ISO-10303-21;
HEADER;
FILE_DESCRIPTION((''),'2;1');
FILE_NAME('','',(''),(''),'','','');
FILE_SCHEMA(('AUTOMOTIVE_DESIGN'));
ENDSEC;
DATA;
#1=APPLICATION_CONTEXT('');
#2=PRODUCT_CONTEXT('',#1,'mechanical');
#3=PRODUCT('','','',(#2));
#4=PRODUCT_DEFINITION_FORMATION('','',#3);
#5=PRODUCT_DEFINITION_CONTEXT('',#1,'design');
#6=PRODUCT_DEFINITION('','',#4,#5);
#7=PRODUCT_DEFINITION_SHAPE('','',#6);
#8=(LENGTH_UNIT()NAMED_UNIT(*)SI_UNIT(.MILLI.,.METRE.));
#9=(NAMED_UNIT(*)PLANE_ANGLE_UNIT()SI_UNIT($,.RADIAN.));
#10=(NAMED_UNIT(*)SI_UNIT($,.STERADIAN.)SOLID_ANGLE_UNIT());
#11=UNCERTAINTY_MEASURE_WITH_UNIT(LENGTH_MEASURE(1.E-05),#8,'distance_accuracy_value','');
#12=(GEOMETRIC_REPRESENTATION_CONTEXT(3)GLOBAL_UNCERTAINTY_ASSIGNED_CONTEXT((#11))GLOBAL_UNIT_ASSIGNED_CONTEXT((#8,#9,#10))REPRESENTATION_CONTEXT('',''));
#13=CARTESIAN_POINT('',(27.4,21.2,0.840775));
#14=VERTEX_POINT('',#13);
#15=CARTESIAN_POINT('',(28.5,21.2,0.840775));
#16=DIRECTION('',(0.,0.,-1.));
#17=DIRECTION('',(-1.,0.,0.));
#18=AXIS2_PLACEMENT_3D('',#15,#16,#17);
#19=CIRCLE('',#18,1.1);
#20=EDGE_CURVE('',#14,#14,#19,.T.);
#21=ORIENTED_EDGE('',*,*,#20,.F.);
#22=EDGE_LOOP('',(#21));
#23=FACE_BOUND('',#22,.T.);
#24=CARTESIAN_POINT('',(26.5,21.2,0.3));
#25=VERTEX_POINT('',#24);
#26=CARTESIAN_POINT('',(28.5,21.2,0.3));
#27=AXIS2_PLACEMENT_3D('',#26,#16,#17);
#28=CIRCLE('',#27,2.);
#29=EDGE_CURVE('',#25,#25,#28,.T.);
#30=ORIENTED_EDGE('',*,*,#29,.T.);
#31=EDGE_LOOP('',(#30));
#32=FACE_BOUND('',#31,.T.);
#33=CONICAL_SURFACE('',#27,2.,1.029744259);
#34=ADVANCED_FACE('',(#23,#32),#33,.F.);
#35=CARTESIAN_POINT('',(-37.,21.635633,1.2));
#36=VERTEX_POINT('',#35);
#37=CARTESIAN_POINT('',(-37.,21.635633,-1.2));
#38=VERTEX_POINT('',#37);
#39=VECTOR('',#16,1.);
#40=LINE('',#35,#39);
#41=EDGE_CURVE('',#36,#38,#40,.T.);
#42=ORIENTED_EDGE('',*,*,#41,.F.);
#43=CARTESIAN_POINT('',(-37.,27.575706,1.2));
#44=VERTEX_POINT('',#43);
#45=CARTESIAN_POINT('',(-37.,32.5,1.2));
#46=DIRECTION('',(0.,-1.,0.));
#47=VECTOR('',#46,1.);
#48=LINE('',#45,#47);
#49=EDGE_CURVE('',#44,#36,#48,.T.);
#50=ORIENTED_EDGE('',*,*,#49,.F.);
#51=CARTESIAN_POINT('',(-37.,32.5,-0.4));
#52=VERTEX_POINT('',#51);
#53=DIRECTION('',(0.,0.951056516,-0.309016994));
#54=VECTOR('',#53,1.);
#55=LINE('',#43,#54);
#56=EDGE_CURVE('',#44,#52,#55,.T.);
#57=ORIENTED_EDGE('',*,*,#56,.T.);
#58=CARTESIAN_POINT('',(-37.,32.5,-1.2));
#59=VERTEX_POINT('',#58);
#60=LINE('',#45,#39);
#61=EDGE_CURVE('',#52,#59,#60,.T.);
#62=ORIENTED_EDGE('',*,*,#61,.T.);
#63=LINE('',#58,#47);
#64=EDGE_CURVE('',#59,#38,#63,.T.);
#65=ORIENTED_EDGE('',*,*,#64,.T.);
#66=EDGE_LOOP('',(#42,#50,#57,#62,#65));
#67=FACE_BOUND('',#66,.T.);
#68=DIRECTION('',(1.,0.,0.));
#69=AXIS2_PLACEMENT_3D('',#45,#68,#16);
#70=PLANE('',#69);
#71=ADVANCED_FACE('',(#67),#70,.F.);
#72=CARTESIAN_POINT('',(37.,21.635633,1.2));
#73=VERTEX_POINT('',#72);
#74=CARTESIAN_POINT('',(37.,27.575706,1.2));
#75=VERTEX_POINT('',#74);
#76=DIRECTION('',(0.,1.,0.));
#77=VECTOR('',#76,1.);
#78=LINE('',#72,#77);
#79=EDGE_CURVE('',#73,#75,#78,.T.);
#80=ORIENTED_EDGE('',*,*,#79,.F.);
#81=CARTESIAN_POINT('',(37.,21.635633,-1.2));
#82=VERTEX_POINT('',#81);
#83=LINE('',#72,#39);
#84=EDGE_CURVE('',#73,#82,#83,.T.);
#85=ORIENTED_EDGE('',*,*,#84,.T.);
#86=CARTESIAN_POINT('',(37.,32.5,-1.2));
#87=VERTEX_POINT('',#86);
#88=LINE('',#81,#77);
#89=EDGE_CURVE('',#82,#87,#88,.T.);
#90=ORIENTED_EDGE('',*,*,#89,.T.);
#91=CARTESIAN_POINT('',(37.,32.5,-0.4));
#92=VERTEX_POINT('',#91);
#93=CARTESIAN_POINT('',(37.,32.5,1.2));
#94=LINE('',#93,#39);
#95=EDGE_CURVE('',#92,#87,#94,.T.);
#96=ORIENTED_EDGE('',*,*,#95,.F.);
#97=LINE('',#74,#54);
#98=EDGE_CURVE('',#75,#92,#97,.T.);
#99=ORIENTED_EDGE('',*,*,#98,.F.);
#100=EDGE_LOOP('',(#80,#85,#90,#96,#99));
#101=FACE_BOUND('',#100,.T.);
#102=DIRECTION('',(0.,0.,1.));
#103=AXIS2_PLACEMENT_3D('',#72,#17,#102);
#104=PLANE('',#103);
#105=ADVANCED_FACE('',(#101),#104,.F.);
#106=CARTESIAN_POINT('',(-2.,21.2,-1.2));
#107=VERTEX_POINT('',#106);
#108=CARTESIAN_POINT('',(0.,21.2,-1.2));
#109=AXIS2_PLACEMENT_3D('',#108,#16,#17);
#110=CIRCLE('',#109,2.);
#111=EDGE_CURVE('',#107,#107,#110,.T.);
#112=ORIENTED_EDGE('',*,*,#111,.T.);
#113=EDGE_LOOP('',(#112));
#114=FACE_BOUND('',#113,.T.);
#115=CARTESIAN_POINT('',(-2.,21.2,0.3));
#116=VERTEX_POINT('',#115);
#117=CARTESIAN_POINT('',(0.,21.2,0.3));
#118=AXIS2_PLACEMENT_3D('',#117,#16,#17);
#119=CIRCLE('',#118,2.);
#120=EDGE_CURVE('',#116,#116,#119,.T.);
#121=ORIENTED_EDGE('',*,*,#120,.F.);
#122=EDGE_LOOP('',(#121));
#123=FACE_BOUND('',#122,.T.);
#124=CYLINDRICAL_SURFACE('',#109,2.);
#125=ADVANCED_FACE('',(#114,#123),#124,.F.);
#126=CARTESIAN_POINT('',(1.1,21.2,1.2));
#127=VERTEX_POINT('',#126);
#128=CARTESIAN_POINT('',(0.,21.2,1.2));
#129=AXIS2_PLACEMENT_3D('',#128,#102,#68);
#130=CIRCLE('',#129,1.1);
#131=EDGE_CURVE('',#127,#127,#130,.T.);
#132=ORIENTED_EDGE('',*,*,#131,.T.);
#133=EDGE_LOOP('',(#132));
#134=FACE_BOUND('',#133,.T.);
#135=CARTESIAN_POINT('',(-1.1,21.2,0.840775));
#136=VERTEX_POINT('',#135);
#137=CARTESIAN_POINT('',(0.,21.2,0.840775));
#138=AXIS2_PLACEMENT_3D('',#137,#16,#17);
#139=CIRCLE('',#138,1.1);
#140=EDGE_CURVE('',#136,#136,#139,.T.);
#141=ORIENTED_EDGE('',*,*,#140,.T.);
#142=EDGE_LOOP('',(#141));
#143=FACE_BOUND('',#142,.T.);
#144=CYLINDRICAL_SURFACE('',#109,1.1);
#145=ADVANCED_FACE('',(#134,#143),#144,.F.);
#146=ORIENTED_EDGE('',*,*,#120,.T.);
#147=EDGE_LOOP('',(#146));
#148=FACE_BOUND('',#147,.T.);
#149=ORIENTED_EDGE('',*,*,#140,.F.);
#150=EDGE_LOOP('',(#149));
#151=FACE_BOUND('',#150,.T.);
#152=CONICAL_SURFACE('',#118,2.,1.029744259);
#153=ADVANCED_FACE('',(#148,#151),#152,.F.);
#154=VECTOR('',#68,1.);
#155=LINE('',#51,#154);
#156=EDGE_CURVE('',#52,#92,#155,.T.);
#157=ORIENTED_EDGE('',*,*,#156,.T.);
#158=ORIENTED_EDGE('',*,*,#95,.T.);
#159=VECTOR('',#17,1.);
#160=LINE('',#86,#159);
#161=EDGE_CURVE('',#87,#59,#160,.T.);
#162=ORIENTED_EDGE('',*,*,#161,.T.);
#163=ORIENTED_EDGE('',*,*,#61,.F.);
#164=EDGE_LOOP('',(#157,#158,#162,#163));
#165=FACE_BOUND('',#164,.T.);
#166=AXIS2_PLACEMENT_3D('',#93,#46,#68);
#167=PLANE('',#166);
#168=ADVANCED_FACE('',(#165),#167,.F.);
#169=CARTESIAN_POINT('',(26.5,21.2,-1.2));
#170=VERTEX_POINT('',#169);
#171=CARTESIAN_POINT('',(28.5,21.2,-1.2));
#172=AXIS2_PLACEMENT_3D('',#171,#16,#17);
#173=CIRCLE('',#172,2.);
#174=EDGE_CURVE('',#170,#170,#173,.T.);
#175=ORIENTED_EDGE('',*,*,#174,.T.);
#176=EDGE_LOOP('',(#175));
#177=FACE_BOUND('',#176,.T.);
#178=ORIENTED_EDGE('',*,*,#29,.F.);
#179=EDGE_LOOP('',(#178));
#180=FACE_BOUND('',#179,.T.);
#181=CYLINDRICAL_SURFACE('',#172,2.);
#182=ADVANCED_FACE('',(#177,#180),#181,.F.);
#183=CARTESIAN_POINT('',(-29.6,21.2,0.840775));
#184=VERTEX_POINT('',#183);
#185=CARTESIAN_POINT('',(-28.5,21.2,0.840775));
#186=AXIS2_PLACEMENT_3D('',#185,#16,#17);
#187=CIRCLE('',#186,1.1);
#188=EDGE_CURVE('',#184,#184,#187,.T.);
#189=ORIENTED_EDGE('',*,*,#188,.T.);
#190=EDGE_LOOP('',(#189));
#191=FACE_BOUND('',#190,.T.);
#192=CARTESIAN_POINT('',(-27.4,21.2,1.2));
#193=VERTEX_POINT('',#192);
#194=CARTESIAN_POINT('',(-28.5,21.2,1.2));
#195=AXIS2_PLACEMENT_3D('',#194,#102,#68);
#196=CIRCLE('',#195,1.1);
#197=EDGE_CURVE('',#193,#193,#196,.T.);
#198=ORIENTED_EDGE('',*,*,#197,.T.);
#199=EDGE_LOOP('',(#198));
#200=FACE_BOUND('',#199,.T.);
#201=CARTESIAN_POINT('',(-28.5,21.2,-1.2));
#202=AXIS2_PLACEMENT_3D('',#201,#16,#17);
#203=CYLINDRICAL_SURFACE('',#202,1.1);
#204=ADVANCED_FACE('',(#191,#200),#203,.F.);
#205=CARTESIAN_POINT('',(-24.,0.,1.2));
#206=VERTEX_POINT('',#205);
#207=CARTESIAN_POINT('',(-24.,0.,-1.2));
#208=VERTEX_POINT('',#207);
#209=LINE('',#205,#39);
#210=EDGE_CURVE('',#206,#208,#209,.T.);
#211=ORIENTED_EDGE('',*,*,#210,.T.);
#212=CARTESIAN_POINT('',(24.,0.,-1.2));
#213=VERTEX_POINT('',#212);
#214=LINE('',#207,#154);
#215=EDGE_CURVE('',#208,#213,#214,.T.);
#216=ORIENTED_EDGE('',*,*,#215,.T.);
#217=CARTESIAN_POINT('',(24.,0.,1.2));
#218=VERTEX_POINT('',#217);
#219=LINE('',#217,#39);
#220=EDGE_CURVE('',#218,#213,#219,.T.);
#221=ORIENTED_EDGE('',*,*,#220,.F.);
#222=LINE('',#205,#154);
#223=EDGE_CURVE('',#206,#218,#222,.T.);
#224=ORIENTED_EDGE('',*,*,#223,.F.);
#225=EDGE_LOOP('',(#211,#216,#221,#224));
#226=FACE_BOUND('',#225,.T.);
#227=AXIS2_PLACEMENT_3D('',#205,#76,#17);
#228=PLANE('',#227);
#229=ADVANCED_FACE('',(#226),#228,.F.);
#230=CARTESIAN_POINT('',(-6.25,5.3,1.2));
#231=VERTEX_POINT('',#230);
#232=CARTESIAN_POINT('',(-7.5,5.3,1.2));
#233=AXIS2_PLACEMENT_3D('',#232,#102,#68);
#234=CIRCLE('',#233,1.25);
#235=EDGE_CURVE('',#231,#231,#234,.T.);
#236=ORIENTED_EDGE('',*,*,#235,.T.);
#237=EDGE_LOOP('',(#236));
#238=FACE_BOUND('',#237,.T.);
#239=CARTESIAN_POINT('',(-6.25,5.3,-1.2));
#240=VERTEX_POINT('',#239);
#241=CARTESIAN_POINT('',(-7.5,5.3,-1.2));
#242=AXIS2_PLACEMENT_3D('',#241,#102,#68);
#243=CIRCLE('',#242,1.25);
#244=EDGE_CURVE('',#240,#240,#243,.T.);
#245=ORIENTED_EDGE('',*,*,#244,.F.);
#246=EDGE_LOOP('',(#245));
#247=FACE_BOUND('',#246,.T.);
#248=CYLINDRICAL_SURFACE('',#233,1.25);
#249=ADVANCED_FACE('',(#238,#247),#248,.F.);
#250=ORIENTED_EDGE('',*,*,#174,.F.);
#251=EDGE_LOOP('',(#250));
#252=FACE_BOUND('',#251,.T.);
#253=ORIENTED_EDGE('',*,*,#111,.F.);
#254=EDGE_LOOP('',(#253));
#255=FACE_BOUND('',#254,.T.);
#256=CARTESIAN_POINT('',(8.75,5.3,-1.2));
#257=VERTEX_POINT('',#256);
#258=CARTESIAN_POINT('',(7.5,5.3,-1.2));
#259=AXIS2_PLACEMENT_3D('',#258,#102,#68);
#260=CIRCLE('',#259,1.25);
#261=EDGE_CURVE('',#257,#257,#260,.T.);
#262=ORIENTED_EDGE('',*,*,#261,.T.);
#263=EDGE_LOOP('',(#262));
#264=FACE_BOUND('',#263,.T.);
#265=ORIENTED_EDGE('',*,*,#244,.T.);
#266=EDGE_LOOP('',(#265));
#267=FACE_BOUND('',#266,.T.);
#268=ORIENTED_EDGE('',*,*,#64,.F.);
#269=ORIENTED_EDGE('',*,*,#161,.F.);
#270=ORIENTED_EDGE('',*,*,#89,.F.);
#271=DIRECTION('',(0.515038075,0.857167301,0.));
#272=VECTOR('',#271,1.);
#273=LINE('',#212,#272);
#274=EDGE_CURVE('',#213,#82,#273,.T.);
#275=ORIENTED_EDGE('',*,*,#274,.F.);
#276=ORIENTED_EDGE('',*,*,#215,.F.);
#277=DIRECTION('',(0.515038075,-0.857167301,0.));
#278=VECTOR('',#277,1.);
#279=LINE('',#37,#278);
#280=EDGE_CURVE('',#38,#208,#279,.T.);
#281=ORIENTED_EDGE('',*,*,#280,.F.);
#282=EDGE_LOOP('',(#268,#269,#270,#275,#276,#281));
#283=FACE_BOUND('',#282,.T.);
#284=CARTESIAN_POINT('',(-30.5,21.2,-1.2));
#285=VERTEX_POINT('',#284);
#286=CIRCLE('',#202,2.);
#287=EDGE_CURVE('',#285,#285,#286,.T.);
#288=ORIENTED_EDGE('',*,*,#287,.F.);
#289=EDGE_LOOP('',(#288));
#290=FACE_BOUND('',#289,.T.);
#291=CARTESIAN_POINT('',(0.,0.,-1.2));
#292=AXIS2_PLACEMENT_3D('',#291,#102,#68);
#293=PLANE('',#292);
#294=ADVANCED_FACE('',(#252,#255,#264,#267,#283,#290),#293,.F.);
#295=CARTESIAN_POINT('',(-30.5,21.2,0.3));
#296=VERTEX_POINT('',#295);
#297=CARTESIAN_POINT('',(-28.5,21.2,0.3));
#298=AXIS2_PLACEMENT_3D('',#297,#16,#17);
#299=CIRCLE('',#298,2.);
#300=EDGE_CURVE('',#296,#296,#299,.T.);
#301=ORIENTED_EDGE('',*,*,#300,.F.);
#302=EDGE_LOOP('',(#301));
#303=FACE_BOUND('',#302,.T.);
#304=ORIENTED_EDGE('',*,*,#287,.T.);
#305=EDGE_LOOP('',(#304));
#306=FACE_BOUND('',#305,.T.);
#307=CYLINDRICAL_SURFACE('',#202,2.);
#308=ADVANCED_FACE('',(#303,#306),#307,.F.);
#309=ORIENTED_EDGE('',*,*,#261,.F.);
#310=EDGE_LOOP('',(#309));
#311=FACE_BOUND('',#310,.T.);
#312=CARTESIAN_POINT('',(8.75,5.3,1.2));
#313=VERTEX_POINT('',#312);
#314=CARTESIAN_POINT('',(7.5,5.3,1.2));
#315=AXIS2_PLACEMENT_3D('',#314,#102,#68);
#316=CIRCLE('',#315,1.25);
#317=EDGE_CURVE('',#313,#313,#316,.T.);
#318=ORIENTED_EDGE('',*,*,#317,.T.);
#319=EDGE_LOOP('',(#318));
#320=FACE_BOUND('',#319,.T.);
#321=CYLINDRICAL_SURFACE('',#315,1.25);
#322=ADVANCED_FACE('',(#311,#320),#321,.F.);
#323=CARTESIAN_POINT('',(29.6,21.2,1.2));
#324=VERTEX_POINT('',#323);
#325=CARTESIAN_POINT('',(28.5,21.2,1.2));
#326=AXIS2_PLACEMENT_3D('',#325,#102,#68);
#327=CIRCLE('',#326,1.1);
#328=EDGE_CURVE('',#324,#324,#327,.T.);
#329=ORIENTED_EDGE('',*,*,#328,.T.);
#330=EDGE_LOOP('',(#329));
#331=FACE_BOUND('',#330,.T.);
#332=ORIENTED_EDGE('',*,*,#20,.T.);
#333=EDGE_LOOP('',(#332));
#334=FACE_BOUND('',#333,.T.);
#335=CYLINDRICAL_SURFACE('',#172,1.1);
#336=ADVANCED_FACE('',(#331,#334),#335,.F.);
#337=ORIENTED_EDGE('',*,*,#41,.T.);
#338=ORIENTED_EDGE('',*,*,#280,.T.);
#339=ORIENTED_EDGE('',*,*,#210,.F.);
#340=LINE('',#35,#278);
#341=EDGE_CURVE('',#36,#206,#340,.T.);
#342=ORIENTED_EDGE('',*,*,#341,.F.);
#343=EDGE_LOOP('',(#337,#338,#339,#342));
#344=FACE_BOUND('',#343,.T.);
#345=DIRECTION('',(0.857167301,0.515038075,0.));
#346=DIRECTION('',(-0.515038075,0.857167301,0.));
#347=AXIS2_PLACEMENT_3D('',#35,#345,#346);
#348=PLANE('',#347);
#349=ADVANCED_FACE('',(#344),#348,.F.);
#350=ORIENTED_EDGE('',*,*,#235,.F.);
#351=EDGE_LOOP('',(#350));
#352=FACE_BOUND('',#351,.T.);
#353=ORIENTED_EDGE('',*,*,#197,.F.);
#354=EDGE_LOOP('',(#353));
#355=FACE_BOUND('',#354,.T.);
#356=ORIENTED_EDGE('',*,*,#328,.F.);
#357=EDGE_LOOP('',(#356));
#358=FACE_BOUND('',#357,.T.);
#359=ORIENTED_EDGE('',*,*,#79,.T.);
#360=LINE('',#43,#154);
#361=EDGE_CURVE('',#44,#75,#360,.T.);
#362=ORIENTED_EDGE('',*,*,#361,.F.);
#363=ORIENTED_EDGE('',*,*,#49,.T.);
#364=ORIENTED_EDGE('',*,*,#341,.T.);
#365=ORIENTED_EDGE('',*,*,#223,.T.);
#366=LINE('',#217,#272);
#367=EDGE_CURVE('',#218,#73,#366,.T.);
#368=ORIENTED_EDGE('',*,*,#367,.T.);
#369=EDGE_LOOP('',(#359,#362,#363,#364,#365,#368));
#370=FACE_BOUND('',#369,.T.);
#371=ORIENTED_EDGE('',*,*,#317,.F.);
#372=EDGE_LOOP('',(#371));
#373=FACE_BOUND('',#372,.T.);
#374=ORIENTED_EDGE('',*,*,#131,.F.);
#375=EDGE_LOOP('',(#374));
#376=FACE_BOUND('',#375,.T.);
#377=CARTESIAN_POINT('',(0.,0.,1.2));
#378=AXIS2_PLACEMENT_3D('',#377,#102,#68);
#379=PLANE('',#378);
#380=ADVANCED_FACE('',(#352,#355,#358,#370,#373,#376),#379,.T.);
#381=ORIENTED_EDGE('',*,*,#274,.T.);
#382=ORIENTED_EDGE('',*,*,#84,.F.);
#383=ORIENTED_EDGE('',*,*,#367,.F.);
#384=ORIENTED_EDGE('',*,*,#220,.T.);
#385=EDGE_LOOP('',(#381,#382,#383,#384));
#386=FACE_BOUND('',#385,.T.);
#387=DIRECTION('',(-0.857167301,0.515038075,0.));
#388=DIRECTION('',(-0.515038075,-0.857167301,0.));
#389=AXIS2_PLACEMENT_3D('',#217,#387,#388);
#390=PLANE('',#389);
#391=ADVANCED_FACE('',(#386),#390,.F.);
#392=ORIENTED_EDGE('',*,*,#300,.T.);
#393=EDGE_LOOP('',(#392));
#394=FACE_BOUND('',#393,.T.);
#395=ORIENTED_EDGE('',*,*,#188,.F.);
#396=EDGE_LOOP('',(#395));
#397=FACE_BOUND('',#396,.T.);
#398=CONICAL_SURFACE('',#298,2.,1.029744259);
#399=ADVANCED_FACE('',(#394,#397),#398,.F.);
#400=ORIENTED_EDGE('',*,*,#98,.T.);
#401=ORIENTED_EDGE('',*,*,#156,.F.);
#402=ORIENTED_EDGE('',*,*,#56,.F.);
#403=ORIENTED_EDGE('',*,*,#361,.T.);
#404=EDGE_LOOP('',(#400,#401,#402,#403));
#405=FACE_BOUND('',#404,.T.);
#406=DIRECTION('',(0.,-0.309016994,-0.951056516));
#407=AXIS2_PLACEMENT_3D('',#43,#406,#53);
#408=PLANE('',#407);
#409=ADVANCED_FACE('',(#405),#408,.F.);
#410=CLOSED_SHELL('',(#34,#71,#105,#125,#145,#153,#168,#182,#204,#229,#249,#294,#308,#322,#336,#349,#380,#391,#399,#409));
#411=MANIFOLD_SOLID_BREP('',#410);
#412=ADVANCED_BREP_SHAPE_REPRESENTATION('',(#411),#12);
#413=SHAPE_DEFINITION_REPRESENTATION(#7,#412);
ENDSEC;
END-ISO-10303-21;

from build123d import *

# Parameters (mm, degrees)
BOSS_EXTRUDE1_DEPTH            = 1.2
CUT_EXTRUDE1_DEPTH             = 81.831243959
F_2_5_2_5_DIAMETER_HOLE1_D     = 2.5
F_2_5_2_5_DIAMETER_HOLE1_DEPTH = 10
F_2_5_2_5_DIAMETER_HOLE1_TIP   = 0.751075774
HOLEWZD1_AT_2_COUNT            = 2
HOLEWZD1_AT_2_PITCH            = 28.5
HOLEWZD1_AT_3_COUNT            = 2
HOLEWZD1_AT_3_PITCH            = 57


with BuildPart() as part:
    # Sketch1 → Boss-Extrude1 (new, symmetric)
    with BuildSketch(Plane.XY):
        Polygon((-24, 0), (24, 0), (37, 21.635633271), (37, 32.5), (-37, 32.5), (-37, 21.635633271), align=None)
    extrude(amount=BOSS_EXTRUDE1_DEPTH, both=True)

    # Sketch2 → Cut-Extrude1 (cut, through all)
    with BuildSketch(Plane(origin=(37, 0, 0), x_dir=(0, 0, -1), z_dir=(1, 0, 0))):
        Polygon((-1.2, 27.575706341), (0.4, 32.5), (-1.2, 32.5), align=None)
    extrude(amount=-CUT_EXTRUDE1_DEPTH, mode=Mode.SUBTRACT)

    # Ø2.5 (2.5) Diameter Hole1
    with Locations(Plane.XY.offset(1.2)):
        with Locations((-7.5, 5.3), (7.5, 5.3)):
            Hole(F_2_5_2_5_DIAMETER_HOLE1_D / 2, depth=F_2_5_2_5_DIAMETER_HOLE1_DEPTH)
            with Locations((0, 0, -(F_2_5_2_5_DIAMETER_HOLE1_DEPTH + F_2_5_2_5_DIAMETER_HOLE1_TIP / 2))):  # 118° drill point
                Cone(0, F_2_5_2_5_DIAMETER_HOLE1_D / 2, F_2_5_2_5_DIAMETER_HOLE1_TIP, mode=Mode.SUBTRACT)

    # Sketch10 → HoleWzd1 (revolve, cut)
    with BuildSketch(Plane(origin=(28.5, 21.2, -1.2), x_dir=(0, 1, 0), z_dir=(1, 0, 0))):
        Polygon((0, 0), (0, 2.4), (1.1, 2.4), (1.1, 2.040774557), (2, 1.5), (2, 0), align=None)
    holewzd1 = revolve(axis=Axis((28.5, 21.2, -7.330023899), (0, 0, 1)), mode=Mode.SUBTRACT)

    # HoleWzd1 at 2: HoleWzd1 ×2
    with Locations(*[(-i * HOLEWZD1_AT_2_PITCH, 0, 0) for i in range(1, HOLEWZD1_AT_2_COUNT)]):
        add(holewzd1, mode=Mode.SUBTRACT)

    # HoleWzd1 at 3: HoleWzd1 ×2
    with Locations(*[(-i * HOLEWZD1_AT_3_PITCH, 0, 0) for i in range(1, HOLEWZD1_AT_3_COUNT)]):
        add(holewzd1, mode=Mode.SUBTRACT)


solid = part.part
